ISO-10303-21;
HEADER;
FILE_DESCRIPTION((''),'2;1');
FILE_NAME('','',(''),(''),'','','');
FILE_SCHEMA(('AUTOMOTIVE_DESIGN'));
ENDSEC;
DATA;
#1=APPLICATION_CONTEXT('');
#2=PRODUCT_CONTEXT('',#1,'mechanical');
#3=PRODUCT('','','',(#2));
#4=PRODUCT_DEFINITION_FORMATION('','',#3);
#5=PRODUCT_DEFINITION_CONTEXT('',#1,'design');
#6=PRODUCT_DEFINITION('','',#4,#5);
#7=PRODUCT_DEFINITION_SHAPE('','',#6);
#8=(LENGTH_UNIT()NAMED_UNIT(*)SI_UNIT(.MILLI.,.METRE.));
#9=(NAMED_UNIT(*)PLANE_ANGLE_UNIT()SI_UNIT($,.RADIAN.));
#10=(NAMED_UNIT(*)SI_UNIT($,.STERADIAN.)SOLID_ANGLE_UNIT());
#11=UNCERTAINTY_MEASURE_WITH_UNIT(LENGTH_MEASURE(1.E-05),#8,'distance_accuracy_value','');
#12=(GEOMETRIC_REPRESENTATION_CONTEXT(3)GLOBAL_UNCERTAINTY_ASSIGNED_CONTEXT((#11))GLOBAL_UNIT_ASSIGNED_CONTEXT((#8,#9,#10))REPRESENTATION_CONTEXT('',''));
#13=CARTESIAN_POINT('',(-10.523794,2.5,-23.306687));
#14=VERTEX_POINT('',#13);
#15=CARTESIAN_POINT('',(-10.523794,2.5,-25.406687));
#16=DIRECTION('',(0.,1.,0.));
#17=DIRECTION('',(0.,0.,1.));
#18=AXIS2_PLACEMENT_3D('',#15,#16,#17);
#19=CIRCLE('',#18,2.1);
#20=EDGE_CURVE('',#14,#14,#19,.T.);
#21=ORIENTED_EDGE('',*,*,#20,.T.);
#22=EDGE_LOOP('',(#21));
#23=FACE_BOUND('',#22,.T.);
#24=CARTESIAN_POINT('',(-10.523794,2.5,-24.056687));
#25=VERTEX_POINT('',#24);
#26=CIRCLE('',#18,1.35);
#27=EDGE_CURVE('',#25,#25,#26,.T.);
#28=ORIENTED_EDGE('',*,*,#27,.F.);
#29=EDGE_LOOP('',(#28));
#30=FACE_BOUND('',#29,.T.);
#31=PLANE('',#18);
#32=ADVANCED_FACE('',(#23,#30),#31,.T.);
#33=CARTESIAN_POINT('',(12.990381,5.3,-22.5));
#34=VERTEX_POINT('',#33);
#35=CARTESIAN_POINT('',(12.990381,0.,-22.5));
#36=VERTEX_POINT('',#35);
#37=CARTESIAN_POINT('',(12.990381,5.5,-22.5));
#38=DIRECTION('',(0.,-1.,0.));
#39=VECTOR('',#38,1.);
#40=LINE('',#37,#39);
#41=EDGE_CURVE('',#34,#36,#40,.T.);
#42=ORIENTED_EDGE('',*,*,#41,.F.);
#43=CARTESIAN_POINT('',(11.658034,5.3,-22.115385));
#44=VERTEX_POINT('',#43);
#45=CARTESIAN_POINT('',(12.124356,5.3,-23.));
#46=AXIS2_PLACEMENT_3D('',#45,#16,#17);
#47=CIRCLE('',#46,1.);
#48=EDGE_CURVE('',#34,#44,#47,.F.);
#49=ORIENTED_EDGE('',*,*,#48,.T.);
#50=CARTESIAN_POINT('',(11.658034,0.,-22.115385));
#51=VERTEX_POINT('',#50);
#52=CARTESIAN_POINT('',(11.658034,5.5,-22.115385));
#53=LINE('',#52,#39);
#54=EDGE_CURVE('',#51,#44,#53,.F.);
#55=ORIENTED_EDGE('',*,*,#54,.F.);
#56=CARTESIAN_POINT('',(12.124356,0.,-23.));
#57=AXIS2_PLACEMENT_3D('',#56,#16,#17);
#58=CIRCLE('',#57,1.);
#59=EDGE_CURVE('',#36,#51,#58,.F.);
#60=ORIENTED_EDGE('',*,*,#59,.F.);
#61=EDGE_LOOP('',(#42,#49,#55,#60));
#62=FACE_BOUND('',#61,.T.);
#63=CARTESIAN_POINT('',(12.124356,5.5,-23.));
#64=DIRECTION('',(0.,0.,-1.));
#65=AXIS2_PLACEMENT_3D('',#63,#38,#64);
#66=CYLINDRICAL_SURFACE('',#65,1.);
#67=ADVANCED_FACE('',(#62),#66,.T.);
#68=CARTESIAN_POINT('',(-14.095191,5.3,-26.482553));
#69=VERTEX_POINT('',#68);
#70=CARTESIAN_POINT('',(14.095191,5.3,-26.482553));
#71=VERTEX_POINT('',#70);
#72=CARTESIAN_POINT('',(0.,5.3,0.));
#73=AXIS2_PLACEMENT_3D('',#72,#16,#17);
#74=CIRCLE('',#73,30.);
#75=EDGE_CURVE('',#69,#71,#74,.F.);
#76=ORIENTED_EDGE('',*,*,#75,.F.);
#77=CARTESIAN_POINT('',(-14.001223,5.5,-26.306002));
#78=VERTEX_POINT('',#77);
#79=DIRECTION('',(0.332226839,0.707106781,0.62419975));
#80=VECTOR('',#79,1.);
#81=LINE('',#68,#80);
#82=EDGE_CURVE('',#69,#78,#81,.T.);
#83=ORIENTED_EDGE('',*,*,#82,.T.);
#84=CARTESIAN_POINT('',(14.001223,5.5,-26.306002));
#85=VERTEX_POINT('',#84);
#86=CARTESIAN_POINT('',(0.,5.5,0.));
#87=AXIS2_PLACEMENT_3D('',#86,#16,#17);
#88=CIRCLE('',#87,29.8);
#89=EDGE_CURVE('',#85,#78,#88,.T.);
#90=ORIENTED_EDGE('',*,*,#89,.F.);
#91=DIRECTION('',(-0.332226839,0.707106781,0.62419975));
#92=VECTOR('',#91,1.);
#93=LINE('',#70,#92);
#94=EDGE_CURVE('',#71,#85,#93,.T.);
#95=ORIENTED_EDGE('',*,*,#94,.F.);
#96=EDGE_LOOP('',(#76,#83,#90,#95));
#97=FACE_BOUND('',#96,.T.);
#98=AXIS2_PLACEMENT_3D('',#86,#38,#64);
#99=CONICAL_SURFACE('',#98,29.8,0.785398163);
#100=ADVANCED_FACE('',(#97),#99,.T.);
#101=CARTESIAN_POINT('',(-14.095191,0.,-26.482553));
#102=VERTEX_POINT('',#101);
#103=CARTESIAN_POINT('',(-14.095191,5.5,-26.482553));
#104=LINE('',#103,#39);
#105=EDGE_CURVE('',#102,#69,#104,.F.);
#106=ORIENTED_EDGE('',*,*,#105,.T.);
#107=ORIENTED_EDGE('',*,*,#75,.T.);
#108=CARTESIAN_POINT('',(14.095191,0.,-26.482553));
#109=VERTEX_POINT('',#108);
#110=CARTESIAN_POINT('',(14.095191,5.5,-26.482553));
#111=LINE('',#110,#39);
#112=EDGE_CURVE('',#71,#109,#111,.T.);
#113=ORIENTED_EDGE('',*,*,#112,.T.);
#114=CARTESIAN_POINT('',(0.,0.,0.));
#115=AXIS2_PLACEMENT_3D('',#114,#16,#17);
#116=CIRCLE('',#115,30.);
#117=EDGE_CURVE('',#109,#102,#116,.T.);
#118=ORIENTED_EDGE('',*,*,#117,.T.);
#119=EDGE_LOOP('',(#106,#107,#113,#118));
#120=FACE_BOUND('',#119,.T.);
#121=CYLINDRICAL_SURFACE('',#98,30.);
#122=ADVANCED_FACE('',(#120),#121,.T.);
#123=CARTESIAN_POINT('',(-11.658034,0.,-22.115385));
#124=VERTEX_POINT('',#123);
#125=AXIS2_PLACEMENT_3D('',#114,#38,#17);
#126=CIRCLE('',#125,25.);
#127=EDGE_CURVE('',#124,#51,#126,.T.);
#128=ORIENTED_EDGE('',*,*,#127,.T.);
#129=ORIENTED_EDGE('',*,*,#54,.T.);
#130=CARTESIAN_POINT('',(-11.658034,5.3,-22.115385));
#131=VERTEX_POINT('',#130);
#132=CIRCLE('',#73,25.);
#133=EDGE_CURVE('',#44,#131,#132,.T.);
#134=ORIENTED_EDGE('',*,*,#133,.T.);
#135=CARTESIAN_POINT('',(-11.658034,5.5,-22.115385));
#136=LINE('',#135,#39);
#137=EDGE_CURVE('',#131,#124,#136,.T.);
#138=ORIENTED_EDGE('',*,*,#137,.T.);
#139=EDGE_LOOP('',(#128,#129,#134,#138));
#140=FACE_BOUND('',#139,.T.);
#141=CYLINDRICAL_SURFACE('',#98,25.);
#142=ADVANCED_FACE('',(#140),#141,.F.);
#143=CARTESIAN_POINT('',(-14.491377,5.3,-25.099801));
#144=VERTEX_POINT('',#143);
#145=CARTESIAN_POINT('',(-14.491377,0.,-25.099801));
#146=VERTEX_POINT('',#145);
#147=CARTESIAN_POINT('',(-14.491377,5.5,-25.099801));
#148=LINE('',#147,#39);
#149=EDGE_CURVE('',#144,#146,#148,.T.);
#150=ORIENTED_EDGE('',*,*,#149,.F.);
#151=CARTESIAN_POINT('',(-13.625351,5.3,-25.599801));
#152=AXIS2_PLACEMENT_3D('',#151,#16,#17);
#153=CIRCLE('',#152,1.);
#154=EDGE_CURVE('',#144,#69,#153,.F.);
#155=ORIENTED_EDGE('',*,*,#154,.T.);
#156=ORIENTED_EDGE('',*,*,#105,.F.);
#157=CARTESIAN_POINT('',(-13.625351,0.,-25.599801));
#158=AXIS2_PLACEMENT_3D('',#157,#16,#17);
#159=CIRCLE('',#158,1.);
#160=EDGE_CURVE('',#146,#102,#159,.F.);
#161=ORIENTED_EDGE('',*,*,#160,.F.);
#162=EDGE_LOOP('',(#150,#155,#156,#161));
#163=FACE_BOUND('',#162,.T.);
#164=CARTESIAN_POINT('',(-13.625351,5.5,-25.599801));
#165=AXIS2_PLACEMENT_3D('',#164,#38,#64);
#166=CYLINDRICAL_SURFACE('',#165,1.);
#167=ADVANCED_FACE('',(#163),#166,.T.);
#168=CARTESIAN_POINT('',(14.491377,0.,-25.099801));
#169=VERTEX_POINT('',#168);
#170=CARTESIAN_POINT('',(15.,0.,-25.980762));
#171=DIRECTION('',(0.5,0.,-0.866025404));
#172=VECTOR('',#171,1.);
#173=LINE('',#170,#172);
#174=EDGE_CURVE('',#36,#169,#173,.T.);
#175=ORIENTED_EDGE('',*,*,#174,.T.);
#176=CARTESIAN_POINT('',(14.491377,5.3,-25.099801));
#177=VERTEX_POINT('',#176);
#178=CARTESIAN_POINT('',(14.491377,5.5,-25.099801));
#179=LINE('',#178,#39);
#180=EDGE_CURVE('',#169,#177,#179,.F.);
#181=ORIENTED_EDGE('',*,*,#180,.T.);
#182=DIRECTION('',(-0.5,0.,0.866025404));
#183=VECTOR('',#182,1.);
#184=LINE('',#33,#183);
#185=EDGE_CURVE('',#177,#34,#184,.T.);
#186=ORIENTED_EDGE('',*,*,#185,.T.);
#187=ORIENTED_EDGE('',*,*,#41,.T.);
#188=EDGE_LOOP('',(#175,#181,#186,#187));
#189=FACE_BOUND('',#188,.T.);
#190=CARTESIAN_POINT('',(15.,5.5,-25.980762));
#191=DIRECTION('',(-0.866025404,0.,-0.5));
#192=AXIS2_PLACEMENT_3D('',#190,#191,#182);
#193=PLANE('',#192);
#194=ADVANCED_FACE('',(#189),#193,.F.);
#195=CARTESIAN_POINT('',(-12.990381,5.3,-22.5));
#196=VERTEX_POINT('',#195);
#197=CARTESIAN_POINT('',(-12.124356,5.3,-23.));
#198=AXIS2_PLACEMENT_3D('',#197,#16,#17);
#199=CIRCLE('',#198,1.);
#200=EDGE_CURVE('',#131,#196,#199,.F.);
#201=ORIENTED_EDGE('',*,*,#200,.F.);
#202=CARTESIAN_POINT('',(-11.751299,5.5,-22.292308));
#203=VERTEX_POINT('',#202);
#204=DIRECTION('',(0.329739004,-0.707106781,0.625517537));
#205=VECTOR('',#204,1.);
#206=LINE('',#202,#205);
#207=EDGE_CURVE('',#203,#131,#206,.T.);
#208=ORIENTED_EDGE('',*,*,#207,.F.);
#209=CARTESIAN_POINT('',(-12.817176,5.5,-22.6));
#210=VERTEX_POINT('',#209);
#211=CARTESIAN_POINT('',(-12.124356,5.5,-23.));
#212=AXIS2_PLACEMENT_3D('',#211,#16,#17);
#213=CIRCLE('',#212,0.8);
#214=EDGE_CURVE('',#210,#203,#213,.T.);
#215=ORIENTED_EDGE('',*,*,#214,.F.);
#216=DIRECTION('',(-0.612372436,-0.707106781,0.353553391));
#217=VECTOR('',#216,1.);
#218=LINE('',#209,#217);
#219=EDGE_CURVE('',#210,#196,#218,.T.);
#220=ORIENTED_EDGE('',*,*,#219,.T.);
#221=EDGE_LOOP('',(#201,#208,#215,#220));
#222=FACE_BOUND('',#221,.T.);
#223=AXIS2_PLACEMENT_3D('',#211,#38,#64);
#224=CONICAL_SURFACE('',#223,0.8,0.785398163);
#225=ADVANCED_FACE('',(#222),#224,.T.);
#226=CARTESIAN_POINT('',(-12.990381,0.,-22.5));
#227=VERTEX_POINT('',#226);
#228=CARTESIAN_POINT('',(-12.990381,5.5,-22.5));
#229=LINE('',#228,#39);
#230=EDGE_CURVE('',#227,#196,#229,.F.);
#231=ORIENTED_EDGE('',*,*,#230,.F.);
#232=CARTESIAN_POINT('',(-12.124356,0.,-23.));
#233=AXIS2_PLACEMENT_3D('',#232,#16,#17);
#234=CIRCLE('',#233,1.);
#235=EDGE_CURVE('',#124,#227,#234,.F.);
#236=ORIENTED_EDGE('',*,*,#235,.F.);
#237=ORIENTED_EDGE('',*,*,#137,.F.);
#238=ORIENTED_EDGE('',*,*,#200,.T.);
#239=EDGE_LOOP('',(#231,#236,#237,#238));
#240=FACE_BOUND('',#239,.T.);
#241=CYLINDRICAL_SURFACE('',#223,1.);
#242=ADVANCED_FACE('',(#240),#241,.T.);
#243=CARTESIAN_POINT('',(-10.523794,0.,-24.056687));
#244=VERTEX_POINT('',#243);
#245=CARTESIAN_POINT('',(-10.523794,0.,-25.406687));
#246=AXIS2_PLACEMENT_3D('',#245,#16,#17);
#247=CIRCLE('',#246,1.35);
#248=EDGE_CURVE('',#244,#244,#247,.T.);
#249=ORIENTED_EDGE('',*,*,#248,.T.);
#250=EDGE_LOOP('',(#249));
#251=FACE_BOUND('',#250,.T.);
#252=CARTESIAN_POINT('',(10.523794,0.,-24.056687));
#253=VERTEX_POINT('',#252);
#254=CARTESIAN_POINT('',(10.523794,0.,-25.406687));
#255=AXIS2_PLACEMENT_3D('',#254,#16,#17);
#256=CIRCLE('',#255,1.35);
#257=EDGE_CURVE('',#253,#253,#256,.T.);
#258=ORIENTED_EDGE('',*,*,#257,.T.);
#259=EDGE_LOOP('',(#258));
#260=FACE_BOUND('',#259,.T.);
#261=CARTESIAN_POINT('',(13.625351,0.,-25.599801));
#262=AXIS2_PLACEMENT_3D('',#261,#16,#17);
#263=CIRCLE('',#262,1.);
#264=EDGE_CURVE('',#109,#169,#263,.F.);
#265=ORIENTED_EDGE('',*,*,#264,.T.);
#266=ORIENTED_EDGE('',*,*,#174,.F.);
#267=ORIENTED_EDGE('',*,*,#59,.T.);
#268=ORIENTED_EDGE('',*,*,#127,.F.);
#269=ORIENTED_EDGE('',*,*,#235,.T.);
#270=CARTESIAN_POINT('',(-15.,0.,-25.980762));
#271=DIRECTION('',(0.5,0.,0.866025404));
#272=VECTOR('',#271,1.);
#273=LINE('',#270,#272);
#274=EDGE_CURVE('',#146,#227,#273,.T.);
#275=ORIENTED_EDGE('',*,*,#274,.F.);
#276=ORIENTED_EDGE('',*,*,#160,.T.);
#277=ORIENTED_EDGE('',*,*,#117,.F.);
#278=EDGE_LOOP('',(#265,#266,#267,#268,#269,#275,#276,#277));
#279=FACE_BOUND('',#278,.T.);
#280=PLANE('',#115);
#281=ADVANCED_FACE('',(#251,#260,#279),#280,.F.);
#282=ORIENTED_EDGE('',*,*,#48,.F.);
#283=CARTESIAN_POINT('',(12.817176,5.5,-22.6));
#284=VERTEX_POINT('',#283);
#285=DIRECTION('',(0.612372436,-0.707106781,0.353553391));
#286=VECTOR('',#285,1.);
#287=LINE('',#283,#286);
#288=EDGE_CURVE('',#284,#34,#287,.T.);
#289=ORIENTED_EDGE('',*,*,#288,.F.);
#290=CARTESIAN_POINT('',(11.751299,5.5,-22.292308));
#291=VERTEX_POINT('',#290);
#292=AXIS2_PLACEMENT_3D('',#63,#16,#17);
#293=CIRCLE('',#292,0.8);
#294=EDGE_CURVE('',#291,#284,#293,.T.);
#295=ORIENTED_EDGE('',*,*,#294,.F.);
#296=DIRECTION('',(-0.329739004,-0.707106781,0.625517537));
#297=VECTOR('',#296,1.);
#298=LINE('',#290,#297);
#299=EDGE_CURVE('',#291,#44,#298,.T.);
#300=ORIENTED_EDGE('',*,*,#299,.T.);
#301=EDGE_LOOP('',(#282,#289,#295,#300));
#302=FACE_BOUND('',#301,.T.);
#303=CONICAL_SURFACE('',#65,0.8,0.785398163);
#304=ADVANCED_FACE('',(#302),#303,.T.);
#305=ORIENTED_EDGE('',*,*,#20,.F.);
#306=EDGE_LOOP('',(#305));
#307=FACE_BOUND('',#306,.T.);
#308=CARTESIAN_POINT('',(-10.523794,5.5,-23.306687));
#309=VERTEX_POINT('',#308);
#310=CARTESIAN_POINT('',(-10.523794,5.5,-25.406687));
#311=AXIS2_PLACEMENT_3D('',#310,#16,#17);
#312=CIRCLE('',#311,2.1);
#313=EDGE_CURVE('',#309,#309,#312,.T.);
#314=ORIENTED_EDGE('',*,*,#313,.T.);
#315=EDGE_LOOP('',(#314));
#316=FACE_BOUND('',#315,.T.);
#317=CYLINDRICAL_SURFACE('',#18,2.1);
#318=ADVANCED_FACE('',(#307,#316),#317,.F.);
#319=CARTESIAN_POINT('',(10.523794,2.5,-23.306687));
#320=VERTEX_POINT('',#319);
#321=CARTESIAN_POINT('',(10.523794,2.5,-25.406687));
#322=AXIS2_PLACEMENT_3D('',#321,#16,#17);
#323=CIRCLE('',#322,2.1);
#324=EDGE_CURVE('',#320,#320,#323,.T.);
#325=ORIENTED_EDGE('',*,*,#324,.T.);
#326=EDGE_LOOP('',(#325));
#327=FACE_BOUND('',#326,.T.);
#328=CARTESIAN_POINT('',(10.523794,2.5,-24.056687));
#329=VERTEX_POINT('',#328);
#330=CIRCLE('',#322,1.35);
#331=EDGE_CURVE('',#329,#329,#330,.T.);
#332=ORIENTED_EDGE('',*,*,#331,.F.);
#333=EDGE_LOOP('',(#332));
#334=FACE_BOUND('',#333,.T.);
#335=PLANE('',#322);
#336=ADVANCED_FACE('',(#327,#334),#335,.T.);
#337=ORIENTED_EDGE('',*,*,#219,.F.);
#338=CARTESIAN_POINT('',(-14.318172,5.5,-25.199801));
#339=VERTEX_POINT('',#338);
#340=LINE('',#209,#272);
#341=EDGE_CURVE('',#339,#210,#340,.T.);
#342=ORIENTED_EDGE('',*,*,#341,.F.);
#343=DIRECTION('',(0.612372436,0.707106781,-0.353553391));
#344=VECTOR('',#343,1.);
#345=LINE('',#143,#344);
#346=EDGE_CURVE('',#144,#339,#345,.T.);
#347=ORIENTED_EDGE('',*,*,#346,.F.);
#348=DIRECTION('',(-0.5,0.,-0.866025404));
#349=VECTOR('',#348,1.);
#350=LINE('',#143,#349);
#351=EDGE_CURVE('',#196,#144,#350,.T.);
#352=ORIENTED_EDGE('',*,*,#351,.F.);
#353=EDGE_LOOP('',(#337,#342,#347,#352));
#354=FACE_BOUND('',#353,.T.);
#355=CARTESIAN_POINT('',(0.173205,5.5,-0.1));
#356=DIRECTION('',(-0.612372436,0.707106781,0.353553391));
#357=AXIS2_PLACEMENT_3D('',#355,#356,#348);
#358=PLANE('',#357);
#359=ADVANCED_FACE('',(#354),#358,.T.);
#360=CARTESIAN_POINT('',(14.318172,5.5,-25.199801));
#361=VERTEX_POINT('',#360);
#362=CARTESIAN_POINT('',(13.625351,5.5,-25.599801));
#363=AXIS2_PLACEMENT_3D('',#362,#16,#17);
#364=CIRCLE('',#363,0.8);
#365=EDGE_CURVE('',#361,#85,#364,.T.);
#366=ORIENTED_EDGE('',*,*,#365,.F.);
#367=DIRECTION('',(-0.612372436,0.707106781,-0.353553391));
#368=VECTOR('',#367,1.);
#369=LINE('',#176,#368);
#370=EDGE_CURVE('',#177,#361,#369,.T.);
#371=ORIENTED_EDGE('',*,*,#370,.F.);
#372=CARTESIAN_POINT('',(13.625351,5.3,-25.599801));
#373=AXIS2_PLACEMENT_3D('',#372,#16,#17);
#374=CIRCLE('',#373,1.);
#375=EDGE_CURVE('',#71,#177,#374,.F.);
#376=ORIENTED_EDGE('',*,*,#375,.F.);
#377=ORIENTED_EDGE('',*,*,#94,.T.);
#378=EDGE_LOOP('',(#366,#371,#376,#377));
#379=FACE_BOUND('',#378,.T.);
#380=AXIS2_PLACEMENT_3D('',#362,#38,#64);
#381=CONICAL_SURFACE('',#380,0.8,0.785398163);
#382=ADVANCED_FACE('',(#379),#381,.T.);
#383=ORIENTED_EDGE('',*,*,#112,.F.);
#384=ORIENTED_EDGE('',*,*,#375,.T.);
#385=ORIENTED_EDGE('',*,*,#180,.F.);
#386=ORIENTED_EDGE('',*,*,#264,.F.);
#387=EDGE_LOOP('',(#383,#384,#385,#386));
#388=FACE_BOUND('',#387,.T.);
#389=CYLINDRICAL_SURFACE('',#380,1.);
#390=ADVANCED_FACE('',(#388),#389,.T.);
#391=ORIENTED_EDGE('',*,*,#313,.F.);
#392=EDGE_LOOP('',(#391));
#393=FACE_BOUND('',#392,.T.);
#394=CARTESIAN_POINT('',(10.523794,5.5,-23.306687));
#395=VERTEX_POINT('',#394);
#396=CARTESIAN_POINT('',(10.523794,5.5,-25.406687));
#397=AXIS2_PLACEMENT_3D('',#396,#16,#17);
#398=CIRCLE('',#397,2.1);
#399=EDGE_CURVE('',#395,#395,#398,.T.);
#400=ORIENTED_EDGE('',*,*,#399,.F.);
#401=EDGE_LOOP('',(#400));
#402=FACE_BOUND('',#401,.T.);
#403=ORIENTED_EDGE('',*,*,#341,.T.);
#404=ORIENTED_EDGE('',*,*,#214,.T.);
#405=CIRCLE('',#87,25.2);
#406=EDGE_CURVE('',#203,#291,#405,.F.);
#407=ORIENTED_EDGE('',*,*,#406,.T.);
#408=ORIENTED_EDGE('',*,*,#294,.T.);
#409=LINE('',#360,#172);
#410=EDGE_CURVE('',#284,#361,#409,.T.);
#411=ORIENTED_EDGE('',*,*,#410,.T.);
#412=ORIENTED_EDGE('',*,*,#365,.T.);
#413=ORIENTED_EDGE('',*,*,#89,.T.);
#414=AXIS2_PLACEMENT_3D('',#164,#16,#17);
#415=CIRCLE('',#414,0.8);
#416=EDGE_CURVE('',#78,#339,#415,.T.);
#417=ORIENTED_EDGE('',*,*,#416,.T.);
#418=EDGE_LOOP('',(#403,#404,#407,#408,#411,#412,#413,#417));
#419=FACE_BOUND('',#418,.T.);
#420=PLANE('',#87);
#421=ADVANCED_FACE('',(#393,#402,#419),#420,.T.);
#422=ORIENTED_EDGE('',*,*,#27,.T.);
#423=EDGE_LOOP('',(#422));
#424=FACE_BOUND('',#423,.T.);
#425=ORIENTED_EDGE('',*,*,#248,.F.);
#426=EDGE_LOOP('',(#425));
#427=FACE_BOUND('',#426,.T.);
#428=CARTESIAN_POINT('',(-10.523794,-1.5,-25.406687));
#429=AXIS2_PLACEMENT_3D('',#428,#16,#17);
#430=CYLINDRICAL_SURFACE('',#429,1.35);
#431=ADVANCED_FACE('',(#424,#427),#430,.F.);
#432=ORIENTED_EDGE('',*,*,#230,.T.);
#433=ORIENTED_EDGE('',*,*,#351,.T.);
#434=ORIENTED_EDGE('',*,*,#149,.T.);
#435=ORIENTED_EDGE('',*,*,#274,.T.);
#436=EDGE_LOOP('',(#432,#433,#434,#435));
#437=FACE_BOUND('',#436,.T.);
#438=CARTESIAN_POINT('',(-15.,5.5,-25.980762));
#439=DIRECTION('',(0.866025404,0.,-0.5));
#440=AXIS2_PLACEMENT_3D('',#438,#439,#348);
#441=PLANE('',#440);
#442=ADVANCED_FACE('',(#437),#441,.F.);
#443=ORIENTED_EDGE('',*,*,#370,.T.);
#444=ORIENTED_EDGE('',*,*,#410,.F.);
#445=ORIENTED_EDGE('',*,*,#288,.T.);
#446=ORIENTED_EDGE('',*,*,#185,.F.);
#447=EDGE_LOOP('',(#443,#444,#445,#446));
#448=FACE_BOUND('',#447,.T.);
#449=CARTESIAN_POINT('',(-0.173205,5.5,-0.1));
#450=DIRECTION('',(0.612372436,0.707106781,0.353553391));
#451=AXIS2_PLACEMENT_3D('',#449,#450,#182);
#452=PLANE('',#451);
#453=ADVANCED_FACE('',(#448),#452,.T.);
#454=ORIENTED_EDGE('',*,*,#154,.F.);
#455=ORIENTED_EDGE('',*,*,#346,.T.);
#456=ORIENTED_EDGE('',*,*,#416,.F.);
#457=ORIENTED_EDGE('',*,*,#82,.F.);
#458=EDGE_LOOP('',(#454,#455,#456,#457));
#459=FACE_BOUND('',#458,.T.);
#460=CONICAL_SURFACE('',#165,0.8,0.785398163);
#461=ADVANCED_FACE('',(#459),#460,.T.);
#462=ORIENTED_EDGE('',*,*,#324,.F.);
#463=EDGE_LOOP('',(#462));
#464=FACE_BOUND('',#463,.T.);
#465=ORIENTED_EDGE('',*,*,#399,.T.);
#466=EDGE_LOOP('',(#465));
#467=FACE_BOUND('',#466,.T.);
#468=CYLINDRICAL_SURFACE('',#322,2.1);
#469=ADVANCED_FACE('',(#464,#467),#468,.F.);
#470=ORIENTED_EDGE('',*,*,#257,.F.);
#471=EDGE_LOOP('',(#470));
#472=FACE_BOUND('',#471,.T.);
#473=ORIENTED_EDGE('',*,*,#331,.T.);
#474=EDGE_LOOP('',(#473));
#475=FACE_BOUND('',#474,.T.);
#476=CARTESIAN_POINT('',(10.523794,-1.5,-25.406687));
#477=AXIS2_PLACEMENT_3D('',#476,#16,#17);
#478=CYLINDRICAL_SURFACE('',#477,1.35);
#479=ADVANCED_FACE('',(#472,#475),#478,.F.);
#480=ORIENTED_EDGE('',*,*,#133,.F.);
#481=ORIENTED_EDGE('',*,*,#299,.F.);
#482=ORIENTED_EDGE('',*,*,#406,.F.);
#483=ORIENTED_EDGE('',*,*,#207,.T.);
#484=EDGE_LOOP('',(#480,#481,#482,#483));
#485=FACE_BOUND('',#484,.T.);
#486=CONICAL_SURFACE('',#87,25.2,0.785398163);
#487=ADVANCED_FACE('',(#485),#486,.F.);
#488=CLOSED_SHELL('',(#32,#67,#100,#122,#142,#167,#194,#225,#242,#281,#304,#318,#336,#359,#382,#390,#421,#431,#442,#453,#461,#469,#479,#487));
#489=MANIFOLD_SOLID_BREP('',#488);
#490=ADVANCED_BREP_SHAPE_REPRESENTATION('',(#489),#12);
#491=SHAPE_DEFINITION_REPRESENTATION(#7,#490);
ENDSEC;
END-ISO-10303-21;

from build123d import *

# Parameters (mm, degrees)
EXTRUDE_1_DEPTH     = 5.5
SKETCH_2_R          = 2.1
CUT_EXTRUDE_2_DEPTH = 3
SKETCH_4_R          = 1.35
CUT_EXTRUDE_3_DEPTH = 7
FILLET_2_R          = 1
CHAMFER_1_SIZE      = 0.2


with BuildPart() as part:
    # 草图1 → 凸台-拉伸1 (new body)
    with BuildSketch(Plane(origin=(0, 0, 0), x_dir=(1, 0, 0), z_dir=(0, 1, 0))):
        with BuildLine():
            Line((-15, 25.980762114), (-12.5, 21.650635095))
            ThreePointArc((-12.5, 21.650635095), (0, 25), (12.5, 21.650635095))
            Line((12.5, 21.650635095), (15, 25.980762114))
            ThreePointArc((15, 25.980762114), (0, 30), (-15, 25.980762114))
        make_face()
    extrude(amount=EXTRUDE_1_DEPTH)

    # 草图2 → 切除-拉伸2 (cut)
    with BuildSketch(Plane(origin=(0, 5.5, 0), x_dir=(1, 0, 0), z_dir=(0, 1, 0))):
        with Locations(Location((-10.52379439, 25.406687144, 0), (0, 0, 270))):
            Circle(SKETCH_2_R)
        with Locations(Location((10.52379439, 25.406687144, 0), (0, 0, 270))):
            Circle(SKETCH_2_R)
    extrude(amount=-CUT_EXTRUDE_2_DEPTH, mode=Mode.SUBTRACT)

    # 草图4 → 切除-拉伸3 (cut)
    with BuildSketch(Plane(origin=(0, 5.5, 0), x_dir=(1, 0, 0), z_dir=(0, 1, 0))):
        with Locations(Location((-10.52379439, 25.406687144, 0), (0, 0, 270))):
            Circle(SKETCH_4_R)
        with Locations(Location((10.52379439, 25.406687144, 0), (0, 0, 270))):
            Circle(SKETCH_4_R)
    extrude(amount=-CUT_EXTRUDE_3_DEPTH, mode=Mode.SUBTRACT)

    # 圆角2
    fillet_2_edges = [part.edges().sort_by_distance(p)[0] for p in [
        (15, 2.75, -25.980762114),
        (12.5, 2.75, -21.650635095),
        (-12.5, 2.75, -21.650635095),
        (-15, 2.75, -25.980762114),
    ]]
    fillet(fillet_2_edges, radius=FILLET_2_R)

    # 倒角1
    chamfer_1_edges = [part.edges().sort_by_distance(p)[0] for p in [
        (0, 5.5, -30),
        (13.740878901, 5.5, -23.799900398),
        (-13.740878901, 5.5, -23.799900398),
        (0, 5.5, -25),
        (-12.401705751, 5.5, -22.039231077),
        (-14.586670486, 5.5, -25.875237728),
        (12.401705751, 5.5, -22.039231077),
        (14.586670486, 5.5, -25.875237728),
    ]]
    chamfer(chamfer_1_edges, length=CHAMFER_1_SIZE)


solid = part.part
